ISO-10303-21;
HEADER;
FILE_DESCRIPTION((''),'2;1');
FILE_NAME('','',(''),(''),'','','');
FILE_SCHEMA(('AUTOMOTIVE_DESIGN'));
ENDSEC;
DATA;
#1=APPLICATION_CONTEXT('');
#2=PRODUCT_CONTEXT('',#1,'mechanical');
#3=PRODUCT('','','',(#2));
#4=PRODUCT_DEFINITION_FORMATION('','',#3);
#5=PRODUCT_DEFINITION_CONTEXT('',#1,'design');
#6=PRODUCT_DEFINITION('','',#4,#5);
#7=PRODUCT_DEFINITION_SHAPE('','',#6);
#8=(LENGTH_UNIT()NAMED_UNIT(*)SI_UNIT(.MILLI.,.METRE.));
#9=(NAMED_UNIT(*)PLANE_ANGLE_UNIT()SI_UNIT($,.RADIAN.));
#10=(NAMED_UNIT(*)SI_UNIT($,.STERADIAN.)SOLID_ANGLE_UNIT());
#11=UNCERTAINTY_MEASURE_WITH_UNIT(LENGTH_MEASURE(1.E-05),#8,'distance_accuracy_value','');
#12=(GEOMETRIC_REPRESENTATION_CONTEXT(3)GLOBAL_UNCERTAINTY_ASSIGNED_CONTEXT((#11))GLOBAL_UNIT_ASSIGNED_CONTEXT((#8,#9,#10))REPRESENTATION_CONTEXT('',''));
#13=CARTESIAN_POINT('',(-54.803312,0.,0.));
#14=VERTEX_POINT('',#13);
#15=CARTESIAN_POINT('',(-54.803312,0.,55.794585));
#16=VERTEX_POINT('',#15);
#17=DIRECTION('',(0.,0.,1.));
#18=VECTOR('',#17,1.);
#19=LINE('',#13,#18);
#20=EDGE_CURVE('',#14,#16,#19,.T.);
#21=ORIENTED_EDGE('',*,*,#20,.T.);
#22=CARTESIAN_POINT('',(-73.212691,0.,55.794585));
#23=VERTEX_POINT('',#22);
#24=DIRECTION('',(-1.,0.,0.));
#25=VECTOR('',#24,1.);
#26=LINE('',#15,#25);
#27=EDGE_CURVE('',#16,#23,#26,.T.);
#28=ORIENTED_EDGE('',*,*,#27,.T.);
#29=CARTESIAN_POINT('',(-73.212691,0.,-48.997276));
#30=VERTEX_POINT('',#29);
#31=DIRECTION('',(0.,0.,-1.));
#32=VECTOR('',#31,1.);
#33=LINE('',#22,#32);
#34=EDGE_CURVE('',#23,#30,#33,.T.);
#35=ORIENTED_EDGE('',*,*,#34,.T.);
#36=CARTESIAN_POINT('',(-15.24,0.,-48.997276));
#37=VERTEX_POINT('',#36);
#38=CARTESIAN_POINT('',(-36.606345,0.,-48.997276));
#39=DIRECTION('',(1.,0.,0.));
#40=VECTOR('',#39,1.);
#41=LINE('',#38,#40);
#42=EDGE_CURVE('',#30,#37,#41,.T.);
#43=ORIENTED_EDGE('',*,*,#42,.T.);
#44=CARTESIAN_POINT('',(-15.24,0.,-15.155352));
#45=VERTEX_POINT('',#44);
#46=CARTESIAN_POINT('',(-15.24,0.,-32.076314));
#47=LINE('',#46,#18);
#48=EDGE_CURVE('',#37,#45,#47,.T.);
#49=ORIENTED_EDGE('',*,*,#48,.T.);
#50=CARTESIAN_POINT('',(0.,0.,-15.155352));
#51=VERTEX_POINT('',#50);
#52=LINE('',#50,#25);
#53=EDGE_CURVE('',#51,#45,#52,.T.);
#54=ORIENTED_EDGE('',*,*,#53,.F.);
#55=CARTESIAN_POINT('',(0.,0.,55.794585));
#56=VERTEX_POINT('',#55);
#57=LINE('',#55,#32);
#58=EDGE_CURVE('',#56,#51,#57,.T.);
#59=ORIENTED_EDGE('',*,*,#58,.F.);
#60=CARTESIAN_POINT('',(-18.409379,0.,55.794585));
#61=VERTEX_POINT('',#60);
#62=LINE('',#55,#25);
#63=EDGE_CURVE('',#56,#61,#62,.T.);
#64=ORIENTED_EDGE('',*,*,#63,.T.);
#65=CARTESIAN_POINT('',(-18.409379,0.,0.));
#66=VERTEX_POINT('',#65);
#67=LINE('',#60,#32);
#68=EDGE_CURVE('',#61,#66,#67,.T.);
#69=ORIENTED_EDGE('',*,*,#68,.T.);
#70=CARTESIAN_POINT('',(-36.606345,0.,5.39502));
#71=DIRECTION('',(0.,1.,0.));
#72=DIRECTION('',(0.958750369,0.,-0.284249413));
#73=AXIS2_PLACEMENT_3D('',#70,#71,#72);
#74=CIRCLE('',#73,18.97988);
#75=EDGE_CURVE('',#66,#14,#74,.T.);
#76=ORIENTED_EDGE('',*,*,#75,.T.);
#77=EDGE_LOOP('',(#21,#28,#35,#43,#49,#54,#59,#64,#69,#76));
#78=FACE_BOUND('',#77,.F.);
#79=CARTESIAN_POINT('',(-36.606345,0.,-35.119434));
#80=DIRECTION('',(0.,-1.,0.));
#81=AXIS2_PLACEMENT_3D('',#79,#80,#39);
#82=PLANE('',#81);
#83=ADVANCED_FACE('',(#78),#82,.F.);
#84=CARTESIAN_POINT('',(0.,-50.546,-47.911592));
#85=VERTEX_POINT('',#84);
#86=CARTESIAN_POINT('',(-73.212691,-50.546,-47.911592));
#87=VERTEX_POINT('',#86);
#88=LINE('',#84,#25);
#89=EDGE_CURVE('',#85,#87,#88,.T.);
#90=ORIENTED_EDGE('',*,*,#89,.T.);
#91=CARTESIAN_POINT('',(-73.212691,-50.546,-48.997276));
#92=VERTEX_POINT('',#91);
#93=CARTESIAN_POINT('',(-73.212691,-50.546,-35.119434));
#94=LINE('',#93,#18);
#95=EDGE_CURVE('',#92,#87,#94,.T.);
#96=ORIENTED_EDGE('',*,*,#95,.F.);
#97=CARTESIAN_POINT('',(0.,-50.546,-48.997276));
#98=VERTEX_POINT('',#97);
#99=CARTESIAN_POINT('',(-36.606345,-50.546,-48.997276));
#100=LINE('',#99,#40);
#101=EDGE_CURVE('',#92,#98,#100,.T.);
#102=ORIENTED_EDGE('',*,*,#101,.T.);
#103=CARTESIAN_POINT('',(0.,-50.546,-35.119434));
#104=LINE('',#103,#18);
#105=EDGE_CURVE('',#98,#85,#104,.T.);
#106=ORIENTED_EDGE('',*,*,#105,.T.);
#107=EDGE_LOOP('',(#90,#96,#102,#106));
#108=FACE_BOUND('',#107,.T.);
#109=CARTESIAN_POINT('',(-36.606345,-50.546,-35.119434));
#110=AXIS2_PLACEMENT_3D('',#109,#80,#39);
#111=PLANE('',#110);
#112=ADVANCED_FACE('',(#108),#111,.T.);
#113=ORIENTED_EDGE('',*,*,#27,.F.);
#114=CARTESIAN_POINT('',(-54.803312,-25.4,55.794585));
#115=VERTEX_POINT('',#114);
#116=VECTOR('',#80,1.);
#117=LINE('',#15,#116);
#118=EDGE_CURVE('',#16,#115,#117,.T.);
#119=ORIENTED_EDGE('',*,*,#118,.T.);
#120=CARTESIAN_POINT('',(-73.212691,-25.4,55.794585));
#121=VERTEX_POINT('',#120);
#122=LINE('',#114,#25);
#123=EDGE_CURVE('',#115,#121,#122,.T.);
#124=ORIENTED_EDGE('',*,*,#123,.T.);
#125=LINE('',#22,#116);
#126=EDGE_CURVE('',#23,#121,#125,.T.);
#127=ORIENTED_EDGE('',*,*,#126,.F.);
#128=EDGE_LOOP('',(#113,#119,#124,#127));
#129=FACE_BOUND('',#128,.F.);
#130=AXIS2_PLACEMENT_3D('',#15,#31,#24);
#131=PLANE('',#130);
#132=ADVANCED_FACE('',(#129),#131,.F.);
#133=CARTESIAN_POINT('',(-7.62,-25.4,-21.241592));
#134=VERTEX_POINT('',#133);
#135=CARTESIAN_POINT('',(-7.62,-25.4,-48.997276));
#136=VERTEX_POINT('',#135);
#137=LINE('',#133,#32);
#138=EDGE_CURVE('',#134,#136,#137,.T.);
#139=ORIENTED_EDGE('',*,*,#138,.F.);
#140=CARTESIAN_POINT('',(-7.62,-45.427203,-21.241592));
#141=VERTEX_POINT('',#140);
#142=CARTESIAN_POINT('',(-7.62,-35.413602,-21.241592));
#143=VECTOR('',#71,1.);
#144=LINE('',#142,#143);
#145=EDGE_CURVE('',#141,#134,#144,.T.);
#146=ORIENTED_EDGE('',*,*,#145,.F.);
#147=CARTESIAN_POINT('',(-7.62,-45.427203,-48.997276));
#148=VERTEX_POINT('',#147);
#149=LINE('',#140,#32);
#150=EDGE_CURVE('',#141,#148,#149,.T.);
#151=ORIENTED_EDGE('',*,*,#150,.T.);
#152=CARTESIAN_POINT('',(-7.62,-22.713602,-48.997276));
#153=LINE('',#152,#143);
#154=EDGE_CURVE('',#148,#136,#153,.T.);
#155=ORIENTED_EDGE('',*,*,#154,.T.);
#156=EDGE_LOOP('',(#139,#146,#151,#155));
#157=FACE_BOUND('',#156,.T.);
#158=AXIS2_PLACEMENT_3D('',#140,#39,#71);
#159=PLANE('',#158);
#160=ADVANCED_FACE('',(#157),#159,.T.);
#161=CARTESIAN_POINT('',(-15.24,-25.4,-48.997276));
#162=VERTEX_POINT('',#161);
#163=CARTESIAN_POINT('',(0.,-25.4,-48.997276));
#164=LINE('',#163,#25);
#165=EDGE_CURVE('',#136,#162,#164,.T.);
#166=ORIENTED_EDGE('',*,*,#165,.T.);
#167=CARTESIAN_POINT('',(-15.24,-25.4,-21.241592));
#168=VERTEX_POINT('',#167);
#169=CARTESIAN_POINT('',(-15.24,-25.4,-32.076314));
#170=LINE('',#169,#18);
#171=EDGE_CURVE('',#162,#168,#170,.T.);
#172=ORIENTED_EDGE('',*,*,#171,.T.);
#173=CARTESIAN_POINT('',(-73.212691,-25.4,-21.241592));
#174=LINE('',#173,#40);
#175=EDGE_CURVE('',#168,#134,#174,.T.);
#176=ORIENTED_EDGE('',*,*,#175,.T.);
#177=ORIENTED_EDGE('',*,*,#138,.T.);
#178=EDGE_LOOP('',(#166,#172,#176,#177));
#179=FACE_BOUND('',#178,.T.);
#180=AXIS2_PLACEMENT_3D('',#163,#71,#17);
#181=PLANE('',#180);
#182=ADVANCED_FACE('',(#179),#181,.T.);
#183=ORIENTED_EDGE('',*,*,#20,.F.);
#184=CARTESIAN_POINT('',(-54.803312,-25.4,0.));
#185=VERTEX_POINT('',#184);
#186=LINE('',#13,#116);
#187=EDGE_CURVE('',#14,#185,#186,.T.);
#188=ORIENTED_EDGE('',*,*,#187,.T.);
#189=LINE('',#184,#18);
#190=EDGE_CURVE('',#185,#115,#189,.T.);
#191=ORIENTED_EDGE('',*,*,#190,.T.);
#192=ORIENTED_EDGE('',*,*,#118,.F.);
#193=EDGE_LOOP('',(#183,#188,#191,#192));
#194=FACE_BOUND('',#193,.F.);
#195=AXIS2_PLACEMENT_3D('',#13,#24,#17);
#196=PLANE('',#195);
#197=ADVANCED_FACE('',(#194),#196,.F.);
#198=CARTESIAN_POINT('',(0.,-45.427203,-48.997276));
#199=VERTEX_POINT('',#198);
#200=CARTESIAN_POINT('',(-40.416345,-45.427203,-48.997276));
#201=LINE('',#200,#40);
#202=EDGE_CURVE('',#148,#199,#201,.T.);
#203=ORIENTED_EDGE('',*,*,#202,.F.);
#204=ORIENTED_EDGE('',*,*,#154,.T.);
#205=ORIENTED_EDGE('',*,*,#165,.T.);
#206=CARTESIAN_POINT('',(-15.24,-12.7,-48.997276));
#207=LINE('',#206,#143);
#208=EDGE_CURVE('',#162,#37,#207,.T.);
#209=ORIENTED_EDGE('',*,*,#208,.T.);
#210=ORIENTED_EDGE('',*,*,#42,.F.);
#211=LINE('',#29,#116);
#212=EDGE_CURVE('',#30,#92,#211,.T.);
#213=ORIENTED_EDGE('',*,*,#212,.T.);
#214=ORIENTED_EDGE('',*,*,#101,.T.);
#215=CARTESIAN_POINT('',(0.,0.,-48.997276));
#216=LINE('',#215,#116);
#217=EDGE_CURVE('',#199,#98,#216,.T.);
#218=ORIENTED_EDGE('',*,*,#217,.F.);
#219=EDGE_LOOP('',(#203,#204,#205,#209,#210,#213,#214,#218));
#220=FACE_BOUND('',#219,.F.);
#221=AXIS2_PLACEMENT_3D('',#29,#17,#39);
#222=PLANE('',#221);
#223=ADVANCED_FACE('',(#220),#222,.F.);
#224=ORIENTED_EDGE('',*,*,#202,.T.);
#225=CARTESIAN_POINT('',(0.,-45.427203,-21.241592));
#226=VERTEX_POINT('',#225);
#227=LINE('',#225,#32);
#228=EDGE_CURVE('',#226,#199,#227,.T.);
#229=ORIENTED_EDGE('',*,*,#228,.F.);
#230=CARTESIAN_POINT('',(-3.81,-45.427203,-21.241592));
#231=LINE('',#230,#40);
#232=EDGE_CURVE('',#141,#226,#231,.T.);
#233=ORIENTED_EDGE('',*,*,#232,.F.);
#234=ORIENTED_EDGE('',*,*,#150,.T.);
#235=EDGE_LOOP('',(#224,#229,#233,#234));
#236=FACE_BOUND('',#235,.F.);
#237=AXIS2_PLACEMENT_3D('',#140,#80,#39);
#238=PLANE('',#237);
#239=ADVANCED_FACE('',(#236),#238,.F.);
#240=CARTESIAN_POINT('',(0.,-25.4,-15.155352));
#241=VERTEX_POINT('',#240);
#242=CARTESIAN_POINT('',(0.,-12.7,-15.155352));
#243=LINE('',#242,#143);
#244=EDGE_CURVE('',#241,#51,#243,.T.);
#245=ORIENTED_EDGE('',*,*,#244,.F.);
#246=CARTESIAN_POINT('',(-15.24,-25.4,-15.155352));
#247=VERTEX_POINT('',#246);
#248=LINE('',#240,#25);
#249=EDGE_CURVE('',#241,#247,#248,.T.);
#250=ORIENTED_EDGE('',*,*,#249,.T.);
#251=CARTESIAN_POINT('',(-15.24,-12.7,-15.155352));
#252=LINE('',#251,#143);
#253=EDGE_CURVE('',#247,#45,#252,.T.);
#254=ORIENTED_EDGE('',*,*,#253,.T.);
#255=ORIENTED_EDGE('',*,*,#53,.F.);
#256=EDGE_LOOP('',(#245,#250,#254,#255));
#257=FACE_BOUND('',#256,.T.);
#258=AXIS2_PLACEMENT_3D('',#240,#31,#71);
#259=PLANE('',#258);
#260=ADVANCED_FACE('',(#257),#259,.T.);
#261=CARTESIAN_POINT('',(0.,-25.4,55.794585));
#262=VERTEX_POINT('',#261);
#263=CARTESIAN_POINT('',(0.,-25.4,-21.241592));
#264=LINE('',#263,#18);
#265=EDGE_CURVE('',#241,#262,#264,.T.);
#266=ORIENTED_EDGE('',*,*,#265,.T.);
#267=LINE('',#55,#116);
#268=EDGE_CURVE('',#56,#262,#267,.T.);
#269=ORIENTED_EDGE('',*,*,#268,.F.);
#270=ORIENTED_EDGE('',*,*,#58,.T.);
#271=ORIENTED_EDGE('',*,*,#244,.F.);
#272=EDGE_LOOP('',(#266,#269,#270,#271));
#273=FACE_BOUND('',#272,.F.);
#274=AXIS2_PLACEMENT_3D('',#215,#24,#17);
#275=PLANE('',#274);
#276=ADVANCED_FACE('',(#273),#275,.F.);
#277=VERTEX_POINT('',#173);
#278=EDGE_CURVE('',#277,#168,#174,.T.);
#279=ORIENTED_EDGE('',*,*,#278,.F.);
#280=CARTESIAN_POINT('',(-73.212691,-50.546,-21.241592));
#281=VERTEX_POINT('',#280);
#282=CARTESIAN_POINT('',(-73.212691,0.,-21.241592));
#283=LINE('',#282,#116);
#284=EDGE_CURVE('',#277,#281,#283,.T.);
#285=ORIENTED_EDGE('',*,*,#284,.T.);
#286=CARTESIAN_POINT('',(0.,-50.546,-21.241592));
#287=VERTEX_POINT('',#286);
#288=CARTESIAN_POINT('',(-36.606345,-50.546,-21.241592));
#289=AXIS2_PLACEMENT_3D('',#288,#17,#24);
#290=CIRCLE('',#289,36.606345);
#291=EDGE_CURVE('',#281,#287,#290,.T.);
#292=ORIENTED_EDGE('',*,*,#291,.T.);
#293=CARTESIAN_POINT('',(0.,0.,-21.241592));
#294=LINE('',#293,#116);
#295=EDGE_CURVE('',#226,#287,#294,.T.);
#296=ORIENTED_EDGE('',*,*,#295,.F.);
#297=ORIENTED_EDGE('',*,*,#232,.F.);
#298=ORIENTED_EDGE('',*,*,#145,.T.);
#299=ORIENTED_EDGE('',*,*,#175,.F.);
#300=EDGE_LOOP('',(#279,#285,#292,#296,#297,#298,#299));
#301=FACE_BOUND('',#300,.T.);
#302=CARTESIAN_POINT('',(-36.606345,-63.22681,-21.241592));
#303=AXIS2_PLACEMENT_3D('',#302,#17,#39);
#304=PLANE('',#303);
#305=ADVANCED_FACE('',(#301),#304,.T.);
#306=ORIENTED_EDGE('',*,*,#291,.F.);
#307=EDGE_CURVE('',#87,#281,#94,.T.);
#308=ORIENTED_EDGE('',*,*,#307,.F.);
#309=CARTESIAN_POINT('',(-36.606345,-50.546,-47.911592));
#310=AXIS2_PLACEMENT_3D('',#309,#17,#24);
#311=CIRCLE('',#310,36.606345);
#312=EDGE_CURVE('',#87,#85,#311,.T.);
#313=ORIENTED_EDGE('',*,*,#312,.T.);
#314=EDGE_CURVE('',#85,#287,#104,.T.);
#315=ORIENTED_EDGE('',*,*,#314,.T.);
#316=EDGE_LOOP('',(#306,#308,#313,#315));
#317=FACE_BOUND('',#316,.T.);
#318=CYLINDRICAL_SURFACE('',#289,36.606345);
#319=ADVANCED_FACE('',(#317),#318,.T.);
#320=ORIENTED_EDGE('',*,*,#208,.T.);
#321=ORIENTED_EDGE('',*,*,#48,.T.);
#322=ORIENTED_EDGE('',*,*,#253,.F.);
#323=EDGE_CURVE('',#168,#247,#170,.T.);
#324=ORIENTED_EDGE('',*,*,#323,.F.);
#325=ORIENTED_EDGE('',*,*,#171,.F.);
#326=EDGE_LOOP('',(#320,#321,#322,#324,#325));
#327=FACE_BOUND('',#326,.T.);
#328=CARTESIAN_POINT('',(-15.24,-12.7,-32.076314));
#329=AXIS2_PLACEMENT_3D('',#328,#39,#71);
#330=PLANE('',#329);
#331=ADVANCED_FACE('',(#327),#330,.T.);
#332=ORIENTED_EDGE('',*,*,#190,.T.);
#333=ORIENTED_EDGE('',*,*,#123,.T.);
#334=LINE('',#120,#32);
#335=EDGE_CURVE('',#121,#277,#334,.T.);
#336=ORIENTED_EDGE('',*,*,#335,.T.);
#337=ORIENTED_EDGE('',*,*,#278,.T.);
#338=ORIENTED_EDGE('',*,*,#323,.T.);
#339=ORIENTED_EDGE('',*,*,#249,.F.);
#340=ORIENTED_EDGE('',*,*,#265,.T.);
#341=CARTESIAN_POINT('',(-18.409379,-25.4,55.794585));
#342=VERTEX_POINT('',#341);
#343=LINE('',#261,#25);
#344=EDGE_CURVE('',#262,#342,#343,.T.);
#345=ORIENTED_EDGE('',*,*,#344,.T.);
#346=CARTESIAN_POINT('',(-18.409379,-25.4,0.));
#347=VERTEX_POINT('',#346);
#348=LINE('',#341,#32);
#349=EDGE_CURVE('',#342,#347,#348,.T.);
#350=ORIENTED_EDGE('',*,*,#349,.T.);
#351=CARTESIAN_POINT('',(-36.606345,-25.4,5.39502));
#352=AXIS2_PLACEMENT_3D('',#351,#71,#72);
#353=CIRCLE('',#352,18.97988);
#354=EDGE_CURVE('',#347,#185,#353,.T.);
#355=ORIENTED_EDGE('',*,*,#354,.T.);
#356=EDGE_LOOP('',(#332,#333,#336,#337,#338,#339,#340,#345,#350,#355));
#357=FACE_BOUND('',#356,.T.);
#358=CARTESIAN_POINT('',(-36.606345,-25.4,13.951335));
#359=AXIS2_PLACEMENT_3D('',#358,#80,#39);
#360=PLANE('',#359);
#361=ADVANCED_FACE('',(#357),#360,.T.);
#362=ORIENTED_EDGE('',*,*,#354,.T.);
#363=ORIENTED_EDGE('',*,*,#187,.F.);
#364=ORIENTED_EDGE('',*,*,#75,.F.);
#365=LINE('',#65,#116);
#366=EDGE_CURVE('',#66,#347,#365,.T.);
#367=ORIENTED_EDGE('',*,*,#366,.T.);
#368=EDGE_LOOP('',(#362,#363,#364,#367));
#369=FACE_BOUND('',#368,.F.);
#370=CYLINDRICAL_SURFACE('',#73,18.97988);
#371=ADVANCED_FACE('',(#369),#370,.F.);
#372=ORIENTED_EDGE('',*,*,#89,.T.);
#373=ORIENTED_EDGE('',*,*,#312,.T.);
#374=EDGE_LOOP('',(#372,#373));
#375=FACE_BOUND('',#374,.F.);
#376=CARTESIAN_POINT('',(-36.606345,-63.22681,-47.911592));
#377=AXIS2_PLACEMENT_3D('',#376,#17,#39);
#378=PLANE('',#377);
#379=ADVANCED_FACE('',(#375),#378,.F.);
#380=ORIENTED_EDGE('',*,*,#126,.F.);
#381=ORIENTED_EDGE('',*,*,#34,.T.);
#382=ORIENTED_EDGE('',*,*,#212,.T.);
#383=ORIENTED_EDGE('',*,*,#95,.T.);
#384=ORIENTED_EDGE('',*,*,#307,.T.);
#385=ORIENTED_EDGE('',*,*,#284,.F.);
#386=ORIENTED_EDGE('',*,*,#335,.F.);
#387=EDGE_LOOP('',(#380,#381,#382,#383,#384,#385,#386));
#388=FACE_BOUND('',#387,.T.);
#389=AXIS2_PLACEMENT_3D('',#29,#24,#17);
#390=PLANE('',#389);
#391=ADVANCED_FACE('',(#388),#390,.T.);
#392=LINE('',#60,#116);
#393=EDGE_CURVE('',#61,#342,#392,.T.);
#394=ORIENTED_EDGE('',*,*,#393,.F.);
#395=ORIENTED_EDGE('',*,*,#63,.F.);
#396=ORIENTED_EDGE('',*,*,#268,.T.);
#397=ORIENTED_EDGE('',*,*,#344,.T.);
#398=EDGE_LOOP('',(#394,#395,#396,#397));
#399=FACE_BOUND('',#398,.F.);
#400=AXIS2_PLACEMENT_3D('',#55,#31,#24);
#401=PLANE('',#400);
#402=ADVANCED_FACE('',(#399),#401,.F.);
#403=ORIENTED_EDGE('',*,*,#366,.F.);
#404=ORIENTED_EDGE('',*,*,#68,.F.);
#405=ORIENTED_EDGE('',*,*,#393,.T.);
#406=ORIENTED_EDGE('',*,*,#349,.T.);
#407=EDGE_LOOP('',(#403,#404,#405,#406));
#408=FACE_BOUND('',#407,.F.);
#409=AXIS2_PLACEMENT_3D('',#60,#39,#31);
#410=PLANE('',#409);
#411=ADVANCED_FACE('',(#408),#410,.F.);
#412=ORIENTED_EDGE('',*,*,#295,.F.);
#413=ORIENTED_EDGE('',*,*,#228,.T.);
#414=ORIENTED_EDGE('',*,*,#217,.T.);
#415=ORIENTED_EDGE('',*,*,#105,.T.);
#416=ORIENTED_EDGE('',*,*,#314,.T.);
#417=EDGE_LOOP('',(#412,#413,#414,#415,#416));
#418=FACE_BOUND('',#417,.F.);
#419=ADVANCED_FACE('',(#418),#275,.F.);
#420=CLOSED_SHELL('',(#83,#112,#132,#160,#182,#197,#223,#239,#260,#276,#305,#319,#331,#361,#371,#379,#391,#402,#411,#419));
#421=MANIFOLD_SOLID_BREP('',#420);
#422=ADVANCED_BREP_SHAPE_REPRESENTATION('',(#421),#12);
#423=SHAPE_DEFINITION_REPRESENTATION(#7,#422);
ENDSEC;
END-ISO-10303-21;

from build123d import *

# Parameters (mm, degrees)
F1_DEPTH = 25.4
F0_W     = 73.2126906514
F0_H     = 27.755683288
F2_DEPTH = 50.546
F4_DEPTH = 26.67
F5_W     = 25.4
F5_H     = 33.8419238105
F6_DEPTH = 15.24
F7_W     = 7.62
F7_H     = 20.0272031784
F8_DEPTH = 27.756683288


with BuildPart() as f1:
    # F0 (on Front) → F1 (new body)
    with BuildSketch(Plane.XZ):
        with BuildLine():
            Line((-54.8033118248, 55.7945854962), (-73.2126906514, 55.7945854962))
            Line((-73.2126906514, 55.7945854962), (-73.2126906514, -21.2415922433))
            Line((-73.2126906514, -21.2415922433), (0, -21.2415922433))
            Line((0, -21.2415922433), (0, 55.7945854962))
            Line((0, 55.7945854962), (-18.4093788266, 55.7945854962))
            Line((-18.4093788266, 55.7945854962), (-18.4093788266, 0))
            ThreePointArc((-18.4093788266, 0), (-36.6063453257, -13.5848598971), (-54.8033118248, 0))
            Line((-54.8033118248, 0), (-54.8033118248, 55.7945854962))
        make_face()
    extrude(amount=F1_DEPTH)

    # F0 (on Front) → F2 (join)
    with BuildSketch(Plane.XZ):
        with Locations((-36.6063453257, -35.1194338873)):
            Rectangle(F0_W, F0_H)
    extrude(amount=F2_DEPTH)

    # F3 (on face) → F4 (join)
    with BuildSketch(Plane.XY.offset(-21.2415922433)):
        with BuildLine():
            Line((0, -50.546), (-73.2126906514, -50.546))
            ThreePointArc((-73.2126906514, -50.546), (-36.6063453257, -87.1523453257), (0, -50.546))
        make_face()
    extrude(amount=-F4_DEPTH)

    # F5 (on face) → F6 (cut)
    with BuildSketch(Plane.YZ):
        with Locations((-12.7, -32.076313626)):
            Rectangle(F5_W, F5_H)
    extrude(amount=-F6_DEPTH, mode=Mode.SUBTRACT)

    # F7 (on face) → F8 (cut, through all)
    with BuildSketch(Plane.XY.offset(-21.2415922433)):
        with Locations((-3.81, -35.4136015892)):
            Rectangle(F7_W, F7_H)
    extrude(amount=-F8_DEPTH, mode=Mode.SUBTRACT)


solid = f1.part
